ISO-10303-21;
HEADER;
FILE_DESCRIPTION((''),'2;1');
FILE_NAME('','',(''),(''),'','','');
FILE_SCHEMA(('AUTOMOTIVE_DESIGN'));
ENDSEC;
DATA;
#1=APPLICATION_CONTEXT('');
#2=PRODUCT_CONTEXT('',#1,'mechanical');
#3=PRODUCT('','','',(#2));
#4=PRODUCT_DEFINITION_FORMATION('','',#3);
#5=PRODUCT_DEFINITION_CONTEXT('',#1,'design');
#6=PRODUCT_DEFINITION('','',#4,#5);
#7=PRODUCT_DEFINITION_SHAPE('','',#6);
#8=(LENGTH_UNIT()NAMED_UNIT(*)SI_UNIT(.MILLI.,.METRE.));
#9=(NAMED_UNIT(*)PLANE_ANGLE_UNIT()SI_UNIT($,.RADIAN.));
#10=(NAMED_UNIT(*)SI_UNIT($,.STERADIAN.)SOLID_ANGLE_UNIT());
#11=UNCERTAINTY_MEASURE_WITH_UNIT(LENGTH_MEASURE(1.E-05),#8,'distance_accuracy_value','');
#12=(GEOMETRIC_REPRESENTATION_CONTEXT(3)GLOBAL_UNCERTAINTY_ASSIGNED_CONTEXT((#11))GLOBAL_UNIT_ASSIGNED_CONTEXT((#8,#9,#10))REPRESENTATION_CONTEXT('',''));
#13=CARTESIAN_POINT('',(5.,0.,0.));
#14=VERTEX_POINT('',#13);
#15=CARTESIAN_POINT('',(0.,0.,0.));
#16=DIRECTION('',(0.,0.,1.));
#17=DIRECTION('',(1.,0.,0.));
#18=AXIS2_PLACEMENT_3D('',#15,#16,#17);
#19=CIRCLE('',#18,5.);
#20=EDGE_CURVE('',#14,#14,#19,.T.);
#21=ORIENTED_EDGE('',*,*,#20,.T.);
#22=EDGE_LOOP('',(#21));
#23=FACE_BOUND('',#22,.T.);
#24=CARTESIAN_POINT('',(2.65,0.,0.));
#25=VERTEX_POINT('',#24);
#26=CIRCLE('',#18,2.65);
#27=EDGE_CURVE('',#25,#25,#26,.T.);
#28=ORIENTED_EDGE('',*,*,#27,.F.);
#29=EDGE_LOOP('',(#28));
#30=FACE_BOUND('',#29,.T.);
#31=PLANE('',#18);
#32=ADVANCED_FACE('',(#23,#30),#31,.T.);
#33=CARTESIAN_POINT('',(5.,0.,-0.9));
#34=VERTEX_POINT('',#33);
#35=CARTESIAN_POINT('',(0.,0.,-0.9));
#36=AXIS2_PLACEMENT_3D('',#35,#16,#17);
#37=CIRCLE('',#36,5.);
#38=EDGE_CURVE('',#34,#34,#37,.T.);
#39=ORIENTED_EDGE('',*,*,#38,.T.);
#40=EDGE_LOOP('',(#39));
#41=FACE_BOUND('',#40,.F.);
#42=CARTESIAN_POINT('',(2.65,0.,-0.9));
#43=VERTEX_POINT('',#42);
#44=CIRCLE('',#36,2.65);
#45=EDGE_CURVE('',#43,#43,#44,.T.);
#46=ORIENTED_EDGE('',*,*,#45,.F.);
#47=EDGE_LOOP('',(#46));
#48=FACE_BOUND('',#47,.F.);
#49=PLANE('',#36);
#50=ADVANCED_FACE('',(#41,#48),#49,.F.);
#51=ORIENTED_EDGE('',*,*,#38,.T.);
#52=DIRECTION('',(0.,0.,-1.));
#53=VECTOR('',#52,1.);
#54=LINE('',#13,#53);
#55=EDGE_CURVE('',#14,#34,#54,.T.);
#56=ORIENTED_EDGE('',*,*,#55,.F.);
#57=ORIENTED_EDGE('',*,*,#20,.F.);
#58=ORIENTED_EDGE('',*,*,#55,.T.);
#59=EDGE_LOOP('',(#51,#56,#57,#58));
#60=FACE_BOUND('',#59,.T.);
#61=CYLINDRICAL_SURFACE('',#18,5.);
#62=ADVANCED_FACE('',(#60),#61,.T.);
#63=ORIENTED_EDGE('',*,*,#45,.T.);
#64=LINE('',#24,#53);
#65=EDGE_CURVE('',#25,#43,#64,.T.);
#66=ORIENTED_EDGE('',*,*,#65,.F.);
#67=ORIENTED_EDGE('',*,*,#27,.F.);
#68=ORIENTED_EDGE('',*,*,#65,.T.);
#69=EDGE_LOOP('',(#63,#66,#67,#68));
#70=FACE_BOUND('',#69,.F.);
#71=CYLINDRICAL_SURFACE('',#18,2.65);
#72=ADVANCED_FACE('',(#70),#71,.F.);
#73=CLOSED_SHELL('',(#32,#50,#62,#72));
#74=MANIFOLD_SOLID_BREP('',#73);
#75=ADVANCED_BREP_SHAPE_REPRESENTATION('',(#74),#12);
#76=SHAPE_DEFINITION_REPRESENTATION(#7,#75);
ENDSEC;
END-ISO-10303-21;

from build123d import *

# Parameters (mm, degrees)
SKETCH1_R      = 5
SKETCH1_R_2    = 2.65
EXTRUDE1_DEPTH = 0.9


with BuildPart() as part:
    # Sketch1 → Extrude1 (new body)
    with BuildSketch(Plane.XY):
        Circle(SKETCH1_R)
        Circle(SKETCH1_R_2, mode=Mode.SUBTRACT)
    extrude(amount=-EXTRUDE1_DEPTH)


solid = part.part
